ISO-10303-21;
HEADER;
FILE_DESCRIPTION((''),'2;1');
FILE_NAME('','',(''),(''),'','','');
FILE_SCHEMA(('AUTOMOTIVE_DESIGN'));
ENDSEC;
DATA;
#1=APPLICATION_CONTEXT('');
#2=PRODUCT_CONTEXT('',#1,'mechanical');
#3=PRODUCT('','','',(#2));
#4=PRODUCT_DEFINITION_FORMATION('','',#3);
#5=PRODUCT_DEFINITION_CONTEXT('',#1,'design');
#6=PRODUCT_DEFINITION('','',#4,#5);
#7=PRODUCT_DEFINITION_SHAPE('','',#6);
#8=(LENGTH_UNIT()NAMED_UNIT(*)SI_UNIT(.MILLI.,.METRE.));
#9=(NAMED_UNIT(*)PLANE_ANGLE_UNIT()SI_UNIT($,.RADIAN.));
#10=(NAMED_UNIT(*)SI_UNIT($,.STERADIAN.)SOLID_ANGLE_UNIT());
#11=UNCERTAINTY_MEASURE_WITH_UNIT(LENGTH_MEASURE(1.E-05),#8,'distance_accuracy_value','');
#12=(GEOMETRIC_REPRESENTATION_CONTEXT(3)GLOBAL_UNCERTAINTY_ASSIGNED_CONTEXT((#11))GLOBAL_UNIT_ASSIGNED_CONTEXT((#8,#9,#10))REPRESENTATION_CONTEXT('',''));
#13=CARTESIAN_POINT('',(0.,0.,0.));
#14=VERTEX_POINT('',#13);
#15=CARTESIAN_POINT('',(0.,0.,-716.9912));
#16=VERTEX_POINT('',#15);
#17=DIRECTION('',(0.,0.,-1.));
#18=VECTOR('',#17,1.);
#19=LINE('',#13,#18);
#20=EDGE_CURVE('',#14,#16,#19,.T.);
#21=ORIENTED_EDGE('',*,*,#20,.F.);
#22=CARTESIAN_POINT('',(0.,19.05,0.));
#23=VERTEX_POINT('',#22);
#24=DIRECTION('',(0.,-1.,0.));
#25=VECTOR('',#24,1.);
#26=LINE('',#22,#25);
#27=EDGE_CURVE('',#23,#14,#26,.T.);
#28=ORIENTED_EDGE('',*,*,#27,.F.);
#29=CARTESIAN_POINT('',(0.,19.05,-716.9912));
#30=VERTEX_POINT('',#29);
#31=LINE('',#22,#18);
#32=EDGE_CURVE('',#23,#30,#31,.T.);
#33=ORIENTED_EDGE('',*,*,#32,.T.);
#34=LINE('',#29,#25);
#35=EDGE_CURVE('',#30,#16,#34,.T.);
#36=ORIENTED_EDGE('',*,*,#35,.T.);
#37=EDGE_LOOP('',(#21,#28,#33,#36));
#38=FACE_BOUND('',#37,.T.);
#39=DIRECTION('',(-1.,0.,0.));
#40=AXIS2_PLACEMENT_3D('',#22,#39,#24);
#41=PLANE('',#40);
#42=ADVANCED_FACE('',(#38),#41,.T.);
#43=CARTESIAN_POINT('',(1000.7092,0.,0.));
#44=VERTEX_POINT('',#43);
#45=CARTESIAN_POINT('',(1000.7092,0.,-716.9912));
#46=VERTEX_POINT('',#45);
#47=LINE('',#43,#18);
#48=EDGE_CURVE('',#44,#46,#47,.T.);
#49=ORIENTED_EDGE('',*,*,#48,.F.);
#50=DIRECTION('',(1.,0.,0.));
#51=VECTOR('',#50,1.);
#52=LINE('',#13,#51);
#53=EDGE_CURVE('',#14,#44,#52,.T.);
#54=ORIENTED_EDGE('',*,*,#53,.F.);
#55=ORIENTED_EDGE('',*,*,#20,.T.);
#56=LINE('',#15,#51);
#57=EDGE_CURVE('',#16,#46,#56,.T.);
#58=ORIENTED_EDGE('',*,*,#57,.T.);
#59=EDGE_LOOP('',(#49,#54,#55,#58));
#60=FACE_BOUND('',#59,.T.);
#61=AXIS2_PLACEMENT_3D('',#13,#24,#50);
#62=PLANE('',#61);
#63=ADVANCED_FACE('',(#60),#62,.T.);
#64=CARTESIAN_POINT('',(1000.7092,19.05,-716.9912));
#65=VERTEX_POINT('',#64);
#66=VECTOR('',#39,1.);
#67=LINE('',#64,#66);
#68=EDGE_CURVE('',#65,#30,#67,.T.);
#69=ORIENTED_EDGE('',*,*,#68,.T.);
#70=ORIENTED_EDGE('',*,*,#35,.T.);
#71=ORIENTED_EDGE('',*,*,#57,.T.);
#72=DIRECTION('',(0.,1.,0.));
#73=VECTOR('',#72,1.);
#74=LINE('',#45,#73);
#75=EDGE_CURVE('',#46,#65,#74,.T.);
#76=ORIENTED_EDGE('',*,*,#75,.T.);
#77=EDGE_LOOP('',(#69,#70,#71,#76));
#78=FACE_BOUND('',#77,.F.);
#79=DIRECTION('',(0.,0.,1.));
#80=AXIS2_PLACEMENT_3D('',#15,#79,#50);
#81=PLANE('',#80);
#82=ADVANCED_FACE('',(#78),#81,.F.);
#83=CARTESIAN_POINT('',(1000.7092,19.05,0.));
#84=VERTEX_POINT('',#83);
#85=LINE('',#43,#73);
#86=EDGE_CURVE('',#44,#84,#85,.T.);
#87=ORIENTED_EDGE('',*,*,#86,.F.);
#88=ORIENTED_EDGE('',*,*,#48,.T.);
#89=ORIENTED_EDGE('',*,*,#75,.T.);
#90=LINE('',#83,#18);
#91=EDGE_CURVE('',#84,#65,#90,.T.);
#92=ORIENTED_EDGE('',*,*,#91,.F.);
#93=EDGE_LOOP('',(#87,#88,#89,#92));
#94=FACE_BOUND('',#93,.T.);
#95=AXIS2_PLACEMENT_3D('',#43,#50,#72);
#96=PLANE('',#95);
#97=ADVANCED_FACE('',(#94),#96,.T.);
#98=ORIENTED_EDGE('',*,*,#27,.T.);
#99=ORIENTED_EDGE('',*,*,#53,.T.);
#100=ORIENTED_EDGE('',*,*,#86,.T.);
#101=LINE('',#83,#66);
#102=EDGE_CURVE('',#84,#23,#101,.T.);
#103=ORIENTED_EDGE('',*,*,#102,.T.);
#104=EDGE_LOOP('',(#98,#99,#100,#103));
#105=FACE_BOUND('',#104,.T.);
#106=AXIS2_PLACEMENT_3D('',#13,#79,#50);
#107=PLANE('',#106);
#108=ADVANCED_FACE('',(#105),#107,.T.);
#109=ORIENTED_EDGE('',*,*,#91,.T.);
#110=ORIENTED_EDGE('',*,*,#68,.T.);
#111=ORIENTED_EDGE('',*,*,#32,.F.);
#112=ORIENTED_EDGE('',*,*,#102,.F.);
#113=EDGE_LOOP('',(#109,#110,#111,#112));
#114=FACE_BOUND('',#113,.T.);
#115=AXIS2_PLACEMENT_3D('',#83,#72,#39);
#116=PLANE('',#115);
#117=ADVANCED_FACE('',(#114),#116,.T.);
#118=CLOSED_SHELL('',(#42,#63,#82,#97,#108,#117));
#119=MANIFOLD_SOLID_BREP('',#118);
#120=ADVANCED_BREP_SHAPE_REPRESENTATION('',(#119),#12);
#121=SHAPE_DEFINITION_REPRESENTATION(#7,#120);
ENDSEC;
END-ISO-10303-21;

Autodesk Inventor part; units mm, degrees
ref_plane "YZ Plane" through (0, 0, 0) normal (1, 0, 0) x (0, 1, 0)
ref_plane "XZ Plane" through (0, 0, 0) normal (0, 1, 0) x (-1, 0, 0)
ref_plane "XY Plane" through (0, 0, 0) normal (0, 0, 1) x (1, 0, 0)
sketch "Sketch1" plane through (0, 0, 0) normal (0, 0, 1) x (1, 0, 0)
  line L0 (0, 0) -> (1000.7092, 0)
  line L1 (1000.7092, 0) -> (1000.7092, 19.05)
  line L2 (1000.7092, 19.05) -> (0, 19.05)
  line L3 (0, 19.05) -> (0, 0)
  dimension "d0" = 1000.7092
  dimension "d1" = 19.05
extrude "Extrusion1" add sketch "Sketch1" against normal blind 716.9912
properties part number "Euph Plywood Base"
